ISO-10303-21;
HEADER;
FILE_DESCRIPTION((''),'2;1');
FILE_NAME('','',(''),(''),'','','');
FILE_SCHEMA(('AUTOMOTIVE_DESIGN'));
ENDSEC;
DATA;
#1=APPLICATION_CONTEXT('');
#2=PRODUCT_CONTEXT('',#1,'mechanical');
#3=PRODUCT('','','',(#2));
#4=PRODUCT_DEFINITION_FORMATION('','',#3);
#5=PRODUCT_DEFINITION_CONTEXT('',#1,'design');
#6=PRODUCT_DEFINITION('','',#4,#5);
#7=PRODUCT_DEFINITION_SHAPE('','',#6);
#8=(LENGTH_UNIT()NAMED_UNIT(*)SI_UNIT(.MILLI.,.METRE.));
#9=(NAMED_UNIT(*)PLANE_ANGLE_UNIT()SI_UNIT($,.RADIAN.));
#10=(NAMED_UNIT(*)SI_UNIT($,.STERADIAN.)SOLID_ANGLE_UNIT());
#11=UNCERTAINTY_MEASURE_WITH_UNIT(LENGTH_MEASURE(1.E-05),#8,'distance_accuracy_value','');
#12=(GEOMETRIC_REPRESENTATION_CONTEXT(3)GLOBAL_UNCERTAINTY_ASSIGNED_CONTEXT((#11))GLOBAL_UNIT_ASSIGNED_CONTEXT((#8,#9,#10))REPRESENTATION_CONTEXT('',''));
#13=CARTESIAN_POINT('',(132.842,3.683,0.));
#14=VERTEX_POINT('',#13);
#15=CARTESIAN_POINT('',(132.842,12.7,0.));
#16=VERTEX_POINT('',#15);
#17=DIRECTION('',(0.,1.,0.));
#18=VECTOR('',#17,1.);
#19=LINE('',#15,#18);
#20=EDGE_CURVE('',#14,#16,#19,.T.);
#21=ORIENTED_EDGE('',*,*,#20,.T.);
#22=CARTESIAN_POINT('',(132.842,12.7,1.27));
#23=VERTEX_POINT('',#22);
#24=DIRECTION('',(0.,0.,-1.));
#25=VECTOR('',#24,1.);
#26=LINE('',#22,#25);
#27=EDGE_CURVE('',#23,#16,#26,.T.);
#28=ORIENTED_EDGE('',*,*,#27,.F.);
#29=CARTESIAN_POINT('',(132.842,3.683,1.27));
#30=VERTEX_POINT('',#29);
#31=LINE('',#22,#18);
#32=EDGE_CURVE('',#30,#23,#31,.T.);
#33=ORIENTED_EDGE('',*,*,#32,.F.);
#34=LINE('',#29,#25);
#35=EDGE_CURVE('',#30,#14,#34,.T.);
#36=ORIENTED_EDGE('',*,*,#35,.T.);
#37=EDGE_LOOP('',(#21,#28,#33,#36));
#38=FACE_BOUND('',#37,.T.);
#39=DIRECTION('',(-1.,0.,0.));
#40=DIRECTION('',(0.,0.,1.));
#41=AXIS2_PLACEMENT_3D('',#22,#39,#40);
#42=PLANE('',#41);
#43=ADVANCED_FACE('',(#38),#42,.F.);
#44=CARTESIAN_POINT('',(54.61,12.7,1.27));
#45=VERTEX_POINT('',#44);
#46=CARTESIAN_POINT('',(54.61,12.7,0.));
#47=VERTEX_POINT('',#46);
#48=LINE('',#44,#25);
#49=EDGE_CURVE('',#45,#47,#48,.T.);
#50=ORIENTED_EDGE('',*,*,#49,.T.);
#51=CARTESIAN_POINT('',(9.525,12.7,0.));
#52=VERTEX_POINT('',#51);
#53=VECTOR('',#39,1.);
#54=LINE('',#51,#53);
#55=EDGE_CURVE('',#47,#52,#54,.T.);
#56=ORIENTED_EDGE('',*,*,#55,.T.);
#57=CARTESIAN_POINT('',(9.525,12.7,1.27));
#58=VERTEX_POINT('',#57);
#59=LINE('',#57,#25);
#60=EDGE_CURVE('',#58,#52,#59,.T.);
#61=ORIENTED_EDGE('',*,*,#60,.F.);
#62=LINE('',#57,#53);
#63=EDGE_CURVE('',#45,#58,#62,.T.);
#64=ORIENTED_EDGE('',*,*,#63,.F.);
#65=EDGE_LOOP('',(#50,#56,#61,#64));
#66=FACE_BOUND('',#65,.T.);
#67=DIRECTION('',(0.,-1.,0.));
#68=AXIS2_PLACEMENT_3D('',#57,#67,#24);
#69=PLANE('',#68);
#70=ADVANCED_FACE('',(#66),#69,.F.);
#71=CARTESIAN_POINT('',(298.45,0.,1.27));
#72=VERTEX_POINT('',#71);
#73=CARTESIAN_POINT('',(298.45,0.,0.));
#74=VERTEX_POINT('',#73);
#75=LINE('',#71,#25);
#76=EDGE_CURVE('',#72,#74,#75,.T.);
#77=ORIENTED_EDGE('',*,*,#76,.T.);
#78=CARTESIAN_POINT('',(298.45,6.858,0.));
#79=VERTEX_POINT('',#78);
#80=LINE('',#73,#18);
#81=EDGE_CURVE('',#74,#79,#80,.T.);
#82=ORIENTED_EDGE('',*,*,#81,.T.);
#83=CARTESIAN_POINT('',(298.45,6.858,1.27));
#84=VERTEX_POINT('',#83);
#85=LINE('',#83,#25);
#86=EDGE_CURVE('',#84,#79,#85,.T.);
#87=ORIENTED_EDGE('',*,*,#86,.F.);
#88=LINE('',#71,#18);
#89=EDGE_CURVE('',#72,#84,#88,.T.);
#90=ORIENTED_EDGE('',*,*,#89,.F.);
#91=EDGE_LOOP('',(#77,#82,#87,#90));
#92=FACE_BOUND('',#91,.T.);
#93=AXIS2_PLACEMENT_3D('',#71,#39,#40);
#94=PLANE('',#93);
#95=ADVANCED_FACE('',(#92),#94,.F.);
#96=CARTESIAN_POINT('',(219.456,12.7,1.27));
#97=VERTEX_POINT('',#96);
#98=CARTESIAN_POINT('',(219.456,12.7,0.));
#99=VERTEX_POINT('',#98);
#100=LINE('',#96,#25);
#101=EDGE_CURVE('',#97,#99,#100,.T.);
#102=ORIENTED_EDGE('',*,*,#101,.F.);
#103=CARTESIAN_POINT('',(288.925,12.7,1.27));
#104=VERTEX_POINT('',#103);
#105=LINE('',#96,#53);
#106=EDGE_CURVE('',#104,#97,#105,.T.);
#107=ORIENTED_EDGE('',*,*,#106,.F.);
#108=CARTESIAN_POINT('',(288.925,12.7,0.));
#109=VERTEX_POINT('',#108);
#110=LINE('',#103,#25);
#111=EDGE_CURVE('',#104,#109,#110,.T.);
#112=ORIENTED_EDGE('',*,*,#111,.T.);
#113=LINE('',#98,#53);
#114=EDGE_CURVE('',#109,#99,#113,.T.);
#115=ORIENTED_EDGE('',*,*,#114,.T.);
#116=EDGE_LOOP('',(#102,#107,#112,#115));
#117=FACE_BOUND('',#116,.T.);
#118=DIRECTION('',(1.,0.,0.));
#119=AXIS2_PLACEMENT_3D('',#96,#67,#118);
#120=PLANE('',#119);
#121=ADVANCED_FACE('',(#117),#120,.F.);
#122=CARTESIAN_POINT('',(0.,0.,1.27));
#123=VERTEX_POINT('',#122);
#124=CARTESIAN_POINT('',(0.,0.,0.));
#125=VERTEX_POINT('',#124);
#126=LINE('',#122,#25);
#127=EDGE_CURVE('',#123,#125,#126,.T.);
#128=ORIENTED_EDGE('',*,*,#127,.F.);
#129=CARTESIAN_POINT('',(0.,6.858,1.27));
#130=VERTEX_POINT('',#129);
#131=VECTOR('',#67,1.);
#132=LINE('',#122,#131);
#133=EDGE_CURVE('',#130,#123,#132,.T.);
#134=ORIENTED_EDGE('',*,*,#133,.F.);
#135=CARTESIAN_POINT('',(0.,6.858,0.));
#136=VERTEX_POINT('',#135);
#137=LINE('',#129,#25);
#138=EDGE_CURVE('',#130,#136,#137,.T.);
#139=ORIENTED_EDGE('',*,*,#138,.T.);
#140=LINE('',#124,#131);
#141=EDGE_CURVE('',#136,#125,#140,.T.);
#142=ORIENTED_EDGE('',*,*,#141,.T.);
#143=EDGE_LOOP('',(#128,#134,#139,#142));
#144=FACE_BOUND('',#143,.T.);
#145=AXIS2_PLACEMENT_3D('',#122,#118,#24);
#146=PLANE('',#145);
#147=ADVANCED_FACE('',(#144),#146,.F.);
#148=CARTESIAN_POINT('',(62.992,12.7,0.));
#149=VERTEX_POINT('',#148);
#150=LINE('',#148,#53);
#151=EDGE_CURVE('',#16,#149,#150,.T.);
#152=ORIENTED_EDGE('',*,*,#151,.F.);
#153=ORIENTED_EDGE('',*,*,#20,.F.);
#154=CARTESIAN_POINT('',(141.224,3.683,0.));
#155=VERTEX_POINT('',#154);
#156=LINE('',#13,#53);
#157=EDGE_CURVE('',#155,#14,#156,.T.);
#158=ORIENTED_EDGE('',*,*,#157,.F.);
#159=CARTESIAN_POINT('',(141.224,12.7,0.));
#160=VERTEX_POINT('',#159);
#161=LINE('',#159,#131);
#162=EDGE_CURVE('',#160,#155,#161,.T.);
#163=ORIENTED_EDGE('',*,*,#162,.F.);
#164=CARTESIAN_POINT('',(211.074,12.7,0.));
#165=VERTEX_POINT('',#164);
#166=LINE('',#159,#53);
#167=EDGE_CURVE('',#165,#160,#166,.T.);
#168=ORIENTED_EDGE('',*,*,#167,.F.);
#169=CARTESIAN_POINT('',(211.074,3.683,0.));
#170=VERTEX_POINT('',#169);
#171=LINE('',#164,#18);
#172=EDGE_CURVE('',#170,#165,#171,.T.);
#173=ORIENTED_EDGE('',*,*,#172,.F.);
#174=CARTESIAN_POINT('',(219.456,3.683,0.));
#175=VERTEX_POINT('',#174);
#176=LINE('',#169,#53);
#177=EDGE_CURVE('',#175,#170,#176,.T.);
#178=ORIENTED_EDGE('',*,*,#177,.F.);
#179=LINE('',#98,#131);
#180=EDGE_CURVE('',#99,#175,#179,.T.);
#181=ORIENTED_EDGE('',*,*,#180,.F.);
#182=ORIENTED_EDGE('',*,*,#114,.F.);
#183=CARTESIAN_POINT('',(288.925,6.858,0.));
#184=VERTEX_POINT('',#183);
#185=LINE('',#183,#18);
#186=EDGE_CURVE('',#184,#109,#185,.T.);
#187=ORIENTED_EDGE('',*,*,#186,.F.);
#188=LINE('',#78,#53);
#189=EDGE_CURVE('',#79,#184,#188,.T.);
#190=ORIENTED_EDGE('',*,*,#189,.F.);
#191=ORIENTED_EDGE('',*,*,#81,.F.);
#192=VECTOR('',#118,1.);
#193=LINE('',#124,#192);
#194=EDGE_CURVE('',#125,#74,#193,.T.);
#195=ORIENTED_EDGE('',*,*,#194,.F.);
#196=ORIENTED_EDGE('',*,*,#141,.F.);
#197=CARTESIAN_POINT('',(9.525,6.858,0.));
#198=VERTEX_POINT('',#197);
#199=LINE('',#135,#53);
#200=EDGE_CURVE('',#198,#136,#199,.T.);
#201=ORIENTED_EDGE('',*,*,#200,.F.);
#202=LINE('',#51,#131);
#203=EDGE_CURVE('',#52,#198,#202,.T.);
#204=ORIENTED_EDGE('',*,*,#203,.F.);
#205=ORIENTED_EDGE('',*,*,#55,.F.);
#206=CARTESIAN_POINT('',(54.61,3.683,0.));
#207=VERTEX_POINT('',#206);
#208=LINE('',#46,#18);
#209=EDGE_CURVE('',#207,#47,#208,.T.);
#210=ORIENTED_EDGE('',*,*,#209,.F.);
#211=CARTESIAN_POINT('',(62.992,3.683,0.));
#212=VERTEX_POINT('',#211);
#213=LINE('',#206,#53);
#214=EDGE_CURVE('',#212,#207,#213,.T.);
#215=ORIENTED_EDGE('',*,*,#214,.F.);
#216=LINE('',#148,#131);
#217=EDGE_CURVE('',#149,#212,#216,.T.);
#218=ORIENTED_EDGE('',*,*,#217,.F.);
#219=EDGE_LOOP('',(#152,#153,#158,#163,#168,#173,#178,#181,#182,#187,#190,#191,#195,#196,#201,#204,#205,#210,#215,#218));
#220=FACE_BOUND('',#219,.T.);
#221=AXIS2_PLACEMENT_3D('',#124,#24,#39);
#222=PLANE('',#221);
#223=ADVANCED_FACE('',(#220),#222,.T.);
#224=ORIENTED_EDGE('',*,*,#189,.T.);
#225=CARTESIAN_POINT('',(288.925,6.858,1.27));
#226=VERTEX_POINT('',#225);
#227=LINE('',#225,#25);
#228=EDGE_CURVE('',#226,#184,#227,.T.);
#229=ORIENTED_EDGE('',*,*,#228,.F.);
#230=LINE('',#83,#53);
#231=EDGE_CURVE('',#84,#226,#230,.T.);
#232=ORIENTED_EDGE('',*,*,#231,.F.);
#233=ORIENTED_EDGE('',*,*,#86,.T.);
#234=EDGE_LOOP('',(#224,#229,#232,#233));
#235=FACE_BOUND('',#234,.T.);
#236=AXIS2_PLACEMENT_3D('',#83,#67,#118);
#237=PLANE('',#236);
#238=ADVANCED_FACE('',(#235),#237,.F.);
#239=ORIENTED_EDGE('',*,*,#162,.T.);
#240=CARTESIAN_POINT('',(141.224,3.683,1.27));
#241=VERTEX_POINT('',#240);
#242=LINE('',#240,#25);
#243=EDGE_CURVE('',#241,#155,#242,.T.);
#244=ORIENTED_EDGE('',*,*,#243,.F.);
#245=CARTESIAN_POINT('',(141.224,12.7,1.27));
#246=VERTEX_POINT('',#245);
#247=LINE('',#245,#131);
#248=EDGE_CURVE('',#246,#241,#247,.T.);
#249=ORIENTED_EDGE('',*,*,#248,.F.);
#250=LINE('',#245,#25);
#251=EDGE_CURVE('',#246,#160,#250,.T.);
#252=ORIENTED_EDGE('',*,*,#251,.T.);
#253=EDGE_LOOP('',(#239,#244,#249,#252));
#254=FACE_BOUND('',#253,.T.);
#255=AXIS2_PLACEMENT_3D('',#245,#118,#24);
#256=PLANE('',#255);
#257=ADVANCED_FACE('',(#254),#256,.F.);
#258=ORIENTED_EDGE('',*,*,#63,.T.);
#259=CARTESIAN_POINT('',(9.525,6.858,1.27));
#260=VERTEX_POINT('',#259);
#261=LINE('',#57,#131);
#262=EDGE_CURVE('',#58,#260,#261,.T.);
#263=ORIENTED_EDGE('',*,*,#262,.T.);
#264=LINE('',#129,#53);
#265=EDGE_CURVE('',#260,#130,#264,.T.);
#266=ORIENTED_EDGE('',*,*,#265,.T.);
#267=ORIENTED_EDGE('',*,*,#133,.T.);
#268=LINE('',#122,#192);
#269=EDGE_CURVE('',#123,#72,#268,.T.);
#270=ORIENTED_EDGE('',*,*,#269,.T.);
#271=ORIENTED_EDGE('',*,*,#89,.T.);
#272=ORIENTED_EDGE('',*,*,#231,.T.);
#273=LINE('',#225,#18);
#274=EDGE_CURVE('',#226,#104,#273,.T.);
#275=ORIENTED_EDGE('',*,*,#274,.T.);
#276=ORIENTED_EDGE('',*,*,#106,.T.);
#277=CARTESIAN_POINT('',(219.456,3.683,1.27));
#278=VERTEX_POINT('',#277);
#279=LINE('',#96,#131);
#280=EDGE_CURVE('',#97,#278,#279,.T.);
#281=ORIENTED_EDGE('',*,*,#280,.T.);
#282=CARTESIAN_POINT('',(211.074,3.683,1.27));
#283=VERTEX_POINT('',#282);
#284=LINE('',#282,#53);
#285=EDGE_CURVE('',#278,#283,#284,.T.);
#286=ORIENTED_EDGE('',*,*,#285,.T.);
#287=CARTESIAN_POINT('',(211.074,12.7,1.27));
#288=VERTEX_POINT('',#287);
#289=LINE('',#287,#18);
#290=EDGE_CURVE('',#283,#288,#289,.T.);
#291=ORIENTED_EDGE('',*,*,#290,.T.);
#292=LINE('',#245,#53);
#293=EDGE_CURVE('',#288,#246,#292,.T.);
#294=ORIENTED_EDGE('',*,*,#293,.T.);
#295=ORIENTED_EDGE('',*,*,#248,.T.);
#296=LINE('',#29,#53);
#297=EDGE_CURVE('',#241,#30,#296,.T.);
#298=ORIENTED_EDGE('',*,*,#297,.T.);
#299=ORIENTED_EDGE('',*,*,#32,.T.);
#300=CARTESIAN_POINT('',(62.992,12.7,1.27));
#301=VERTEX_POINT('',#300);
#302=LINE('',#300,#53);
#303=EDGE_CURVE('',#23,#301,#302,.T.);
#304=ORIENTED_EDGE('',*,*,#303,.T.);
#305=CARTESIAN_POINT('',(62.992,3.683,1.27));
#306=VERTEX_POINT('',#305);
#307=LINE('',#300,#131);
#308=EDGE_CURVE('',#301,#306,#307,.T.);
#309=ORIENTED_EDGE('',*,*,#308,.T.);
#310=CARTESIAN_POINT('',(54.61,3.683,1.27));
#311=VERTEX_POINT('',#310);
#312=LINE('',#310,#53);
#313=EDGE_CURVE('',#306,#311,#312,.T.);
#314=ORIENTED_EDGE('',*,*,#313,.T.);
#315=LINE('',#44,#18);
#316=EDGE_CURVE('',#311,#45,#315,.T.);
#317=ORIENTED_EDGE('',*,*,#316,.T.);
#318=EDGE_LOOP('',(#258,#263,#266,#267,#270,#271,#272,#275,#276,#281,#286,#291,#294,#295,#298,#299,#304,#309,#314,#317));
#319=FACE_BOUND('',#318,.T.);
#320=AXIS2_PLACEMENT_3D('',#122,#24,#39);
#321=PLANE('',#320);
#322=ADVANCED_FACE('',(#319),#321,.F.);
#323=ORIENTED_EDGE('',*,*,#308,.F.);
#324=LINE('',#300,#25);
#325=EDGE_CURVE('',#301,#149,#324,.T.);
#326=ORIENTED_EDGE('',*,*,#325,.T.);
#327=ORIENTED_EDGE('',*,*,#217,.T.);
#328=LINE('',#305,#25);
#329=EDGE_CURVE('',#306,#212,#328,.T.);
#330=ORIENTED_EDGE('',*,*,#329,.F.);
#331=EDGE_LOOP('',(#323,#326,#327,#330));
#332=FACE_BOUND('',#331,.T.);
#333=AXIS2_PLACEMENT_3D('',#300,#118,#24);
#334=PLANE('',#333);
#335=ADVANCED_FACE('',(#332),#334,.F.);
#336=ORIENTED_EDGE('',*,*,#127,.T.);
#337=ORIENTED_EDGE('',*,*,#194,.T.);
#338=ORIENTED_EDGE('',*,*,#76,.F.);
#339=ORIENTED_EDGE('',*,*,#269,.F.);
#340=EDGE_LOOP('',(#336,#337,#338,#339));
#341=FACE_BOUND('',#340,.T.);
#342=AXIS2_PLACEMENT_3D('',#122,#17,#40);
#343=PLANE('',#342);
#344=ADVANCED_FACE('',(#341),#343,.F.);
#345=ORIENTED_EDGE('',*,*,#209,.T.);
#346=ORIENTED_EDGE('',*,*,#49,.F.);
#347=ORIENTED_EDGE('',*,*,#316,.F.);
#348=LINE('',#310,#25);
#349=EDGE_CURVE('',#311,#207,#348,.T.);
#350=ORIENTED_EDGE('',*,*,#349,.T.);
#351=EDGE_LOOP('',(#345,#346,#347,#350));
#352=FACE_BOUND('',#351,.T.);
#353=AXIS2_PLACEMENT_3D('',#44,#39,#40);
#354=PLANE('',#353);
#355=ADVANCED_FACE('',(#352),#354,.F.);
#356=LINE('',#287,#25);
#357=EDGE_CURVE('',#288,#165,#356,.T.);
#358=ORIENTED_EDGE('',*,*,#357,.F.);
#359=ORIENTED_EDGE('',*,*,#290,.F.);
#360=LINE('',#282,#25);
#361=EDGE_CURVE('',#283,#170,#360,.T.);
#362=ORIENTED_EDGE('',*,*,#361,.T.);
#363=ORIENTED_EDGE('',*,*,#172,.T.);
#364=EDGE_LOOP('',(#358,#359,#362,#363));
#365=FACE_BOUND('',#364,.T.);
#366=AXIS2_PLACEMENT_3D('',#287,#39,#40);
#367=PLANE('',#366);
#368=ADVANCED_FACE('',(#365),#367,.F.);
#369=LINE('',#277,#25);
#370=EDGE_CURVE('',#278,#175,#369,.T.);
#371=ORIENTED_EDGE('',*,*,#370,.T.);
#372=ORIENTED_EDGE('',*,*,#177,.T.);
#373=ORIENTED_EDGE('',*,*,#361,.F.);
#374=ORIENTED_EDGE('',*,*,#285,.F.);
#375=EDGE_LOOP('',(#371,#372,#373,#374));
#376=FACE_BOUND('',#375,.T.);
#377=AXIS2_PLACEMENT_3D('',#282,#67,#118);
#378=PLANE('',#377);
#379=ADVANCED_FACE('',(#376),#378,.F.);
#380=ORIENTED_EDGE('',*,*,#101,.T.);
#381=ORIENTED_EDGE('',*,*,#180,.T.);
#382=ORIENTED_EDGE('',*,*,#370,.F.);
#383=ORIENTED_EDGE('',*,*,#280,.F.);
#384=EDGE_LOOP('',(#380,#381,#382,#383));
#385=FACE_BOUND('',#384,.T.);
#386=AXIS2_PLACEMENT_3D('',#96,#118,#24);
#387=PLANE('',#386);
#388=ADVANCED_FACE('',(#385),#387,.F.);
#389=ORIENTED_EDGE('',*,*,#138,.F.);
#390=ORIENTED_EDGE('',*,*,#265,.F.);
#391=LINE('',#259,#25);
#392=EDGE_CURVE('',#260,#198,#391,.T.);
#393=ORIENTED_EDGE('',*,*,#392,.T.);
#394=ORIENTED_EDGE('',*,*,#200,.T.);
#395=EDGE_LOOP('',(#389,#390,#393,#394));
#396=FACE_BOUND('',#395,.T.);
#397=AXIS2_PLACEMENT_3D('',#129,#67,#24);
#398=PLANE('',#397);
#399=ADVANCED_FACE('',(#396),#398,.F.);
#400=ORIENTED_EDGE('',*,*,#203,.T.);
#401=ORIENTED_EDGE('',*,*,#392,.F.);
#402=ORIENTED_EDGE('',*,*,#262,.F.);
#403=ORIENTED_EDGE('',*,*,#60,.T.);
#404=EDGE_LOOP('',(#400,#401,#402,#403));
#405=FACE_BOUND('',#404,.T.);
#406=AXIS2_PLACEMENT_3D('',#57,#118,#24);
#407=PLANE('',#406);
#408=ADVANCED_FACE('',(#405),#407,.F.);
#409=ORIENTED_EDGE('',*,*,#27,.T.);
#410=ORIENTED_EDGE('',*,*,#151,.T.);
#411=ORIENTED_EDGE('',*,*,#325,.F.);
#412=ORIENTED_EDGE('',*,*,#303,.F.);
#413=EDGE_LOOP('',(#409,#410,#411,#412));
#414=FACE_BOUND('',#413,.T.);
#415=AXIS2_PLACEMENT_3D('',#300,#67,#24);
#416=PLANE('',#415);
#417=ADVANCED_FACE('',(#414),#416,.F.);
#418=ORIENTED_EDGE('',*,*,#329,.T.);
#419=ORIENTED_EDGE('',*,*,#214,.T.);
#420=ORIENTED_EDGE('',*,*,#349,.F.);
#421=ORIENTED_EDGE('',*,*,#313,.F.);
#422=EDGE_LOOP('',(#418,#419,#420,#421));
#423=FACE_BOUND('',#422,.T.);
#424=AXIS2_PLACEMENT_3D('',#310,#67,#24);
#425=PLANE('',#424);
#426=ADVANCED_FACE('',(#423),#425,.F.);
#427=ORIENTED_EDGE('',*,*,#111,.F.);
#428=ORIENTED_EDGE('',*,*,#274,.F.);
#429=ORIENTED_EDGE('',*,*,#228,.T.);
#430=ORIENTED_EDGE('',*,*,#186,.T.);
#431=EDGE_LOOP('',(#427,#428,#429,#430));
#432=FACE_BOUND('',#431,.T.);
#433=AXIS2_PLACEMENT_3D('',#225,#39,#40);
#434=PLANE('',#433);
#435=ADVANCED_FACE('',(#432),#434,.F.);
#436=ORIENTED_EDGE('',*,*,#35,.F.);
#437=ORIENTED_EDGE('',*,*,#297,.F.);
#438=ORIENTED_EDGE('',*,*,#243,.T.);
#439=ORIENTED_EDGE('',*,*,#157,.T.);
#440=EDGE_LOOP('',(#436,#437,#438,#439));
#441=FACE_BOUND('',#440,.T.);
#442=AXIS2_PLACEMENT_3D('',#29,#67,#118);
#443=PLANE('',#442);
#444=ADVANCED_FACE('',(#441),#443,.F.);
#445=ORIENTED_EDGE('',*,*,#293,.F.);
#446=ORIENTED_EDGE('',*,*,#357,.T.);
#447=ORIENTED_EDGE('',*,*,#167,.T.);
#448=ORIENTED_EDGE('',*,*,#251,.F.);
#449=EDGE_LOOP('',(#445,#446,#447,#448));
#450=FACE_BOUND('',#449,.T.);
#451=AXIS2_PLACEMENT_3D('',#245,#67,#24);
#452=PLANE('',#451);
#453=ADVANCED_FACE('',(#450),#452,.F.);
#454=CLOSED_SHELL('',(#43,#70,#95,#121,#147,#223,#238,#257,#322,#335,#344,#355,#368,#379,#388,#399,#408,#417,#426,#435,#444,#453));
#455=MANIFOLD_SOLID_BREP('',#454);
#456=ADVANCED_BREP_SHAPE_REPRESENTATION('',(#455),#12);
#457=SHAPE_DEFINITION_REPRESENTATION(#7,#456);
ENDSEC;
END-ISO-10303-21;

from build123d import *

# Parameters (mm, degrees)
BOSS_EXTRUDE1_DEPTH = 1.27


with BuildPart() as part:
    # Sketch1 → Boss-Extrude1 (new body)
    with BuildSketch(Plane.XY):
        Polygon((62.992, 12.7), (132.842, 12.7), (132.842, 3.683), (141.224, 3.683), (141.224, 12.7), (211.074, 12.7), (211.074, 3.683), (219.456, 3.683), (219.456, 12.7), (288.925, 12.7), (288.925, 6.858), (298.45, 6.858), (298.45, 0), (0, 0), (0, 6.858), (9.525, 6.858), (9.525, 12.7), (54.61, 12.7), (54.61, 3.683), (62.992, 3.683), align=None)
    extrude(amount=BOSS_EXTRUDE1_DEPTH)


solid = part.part
